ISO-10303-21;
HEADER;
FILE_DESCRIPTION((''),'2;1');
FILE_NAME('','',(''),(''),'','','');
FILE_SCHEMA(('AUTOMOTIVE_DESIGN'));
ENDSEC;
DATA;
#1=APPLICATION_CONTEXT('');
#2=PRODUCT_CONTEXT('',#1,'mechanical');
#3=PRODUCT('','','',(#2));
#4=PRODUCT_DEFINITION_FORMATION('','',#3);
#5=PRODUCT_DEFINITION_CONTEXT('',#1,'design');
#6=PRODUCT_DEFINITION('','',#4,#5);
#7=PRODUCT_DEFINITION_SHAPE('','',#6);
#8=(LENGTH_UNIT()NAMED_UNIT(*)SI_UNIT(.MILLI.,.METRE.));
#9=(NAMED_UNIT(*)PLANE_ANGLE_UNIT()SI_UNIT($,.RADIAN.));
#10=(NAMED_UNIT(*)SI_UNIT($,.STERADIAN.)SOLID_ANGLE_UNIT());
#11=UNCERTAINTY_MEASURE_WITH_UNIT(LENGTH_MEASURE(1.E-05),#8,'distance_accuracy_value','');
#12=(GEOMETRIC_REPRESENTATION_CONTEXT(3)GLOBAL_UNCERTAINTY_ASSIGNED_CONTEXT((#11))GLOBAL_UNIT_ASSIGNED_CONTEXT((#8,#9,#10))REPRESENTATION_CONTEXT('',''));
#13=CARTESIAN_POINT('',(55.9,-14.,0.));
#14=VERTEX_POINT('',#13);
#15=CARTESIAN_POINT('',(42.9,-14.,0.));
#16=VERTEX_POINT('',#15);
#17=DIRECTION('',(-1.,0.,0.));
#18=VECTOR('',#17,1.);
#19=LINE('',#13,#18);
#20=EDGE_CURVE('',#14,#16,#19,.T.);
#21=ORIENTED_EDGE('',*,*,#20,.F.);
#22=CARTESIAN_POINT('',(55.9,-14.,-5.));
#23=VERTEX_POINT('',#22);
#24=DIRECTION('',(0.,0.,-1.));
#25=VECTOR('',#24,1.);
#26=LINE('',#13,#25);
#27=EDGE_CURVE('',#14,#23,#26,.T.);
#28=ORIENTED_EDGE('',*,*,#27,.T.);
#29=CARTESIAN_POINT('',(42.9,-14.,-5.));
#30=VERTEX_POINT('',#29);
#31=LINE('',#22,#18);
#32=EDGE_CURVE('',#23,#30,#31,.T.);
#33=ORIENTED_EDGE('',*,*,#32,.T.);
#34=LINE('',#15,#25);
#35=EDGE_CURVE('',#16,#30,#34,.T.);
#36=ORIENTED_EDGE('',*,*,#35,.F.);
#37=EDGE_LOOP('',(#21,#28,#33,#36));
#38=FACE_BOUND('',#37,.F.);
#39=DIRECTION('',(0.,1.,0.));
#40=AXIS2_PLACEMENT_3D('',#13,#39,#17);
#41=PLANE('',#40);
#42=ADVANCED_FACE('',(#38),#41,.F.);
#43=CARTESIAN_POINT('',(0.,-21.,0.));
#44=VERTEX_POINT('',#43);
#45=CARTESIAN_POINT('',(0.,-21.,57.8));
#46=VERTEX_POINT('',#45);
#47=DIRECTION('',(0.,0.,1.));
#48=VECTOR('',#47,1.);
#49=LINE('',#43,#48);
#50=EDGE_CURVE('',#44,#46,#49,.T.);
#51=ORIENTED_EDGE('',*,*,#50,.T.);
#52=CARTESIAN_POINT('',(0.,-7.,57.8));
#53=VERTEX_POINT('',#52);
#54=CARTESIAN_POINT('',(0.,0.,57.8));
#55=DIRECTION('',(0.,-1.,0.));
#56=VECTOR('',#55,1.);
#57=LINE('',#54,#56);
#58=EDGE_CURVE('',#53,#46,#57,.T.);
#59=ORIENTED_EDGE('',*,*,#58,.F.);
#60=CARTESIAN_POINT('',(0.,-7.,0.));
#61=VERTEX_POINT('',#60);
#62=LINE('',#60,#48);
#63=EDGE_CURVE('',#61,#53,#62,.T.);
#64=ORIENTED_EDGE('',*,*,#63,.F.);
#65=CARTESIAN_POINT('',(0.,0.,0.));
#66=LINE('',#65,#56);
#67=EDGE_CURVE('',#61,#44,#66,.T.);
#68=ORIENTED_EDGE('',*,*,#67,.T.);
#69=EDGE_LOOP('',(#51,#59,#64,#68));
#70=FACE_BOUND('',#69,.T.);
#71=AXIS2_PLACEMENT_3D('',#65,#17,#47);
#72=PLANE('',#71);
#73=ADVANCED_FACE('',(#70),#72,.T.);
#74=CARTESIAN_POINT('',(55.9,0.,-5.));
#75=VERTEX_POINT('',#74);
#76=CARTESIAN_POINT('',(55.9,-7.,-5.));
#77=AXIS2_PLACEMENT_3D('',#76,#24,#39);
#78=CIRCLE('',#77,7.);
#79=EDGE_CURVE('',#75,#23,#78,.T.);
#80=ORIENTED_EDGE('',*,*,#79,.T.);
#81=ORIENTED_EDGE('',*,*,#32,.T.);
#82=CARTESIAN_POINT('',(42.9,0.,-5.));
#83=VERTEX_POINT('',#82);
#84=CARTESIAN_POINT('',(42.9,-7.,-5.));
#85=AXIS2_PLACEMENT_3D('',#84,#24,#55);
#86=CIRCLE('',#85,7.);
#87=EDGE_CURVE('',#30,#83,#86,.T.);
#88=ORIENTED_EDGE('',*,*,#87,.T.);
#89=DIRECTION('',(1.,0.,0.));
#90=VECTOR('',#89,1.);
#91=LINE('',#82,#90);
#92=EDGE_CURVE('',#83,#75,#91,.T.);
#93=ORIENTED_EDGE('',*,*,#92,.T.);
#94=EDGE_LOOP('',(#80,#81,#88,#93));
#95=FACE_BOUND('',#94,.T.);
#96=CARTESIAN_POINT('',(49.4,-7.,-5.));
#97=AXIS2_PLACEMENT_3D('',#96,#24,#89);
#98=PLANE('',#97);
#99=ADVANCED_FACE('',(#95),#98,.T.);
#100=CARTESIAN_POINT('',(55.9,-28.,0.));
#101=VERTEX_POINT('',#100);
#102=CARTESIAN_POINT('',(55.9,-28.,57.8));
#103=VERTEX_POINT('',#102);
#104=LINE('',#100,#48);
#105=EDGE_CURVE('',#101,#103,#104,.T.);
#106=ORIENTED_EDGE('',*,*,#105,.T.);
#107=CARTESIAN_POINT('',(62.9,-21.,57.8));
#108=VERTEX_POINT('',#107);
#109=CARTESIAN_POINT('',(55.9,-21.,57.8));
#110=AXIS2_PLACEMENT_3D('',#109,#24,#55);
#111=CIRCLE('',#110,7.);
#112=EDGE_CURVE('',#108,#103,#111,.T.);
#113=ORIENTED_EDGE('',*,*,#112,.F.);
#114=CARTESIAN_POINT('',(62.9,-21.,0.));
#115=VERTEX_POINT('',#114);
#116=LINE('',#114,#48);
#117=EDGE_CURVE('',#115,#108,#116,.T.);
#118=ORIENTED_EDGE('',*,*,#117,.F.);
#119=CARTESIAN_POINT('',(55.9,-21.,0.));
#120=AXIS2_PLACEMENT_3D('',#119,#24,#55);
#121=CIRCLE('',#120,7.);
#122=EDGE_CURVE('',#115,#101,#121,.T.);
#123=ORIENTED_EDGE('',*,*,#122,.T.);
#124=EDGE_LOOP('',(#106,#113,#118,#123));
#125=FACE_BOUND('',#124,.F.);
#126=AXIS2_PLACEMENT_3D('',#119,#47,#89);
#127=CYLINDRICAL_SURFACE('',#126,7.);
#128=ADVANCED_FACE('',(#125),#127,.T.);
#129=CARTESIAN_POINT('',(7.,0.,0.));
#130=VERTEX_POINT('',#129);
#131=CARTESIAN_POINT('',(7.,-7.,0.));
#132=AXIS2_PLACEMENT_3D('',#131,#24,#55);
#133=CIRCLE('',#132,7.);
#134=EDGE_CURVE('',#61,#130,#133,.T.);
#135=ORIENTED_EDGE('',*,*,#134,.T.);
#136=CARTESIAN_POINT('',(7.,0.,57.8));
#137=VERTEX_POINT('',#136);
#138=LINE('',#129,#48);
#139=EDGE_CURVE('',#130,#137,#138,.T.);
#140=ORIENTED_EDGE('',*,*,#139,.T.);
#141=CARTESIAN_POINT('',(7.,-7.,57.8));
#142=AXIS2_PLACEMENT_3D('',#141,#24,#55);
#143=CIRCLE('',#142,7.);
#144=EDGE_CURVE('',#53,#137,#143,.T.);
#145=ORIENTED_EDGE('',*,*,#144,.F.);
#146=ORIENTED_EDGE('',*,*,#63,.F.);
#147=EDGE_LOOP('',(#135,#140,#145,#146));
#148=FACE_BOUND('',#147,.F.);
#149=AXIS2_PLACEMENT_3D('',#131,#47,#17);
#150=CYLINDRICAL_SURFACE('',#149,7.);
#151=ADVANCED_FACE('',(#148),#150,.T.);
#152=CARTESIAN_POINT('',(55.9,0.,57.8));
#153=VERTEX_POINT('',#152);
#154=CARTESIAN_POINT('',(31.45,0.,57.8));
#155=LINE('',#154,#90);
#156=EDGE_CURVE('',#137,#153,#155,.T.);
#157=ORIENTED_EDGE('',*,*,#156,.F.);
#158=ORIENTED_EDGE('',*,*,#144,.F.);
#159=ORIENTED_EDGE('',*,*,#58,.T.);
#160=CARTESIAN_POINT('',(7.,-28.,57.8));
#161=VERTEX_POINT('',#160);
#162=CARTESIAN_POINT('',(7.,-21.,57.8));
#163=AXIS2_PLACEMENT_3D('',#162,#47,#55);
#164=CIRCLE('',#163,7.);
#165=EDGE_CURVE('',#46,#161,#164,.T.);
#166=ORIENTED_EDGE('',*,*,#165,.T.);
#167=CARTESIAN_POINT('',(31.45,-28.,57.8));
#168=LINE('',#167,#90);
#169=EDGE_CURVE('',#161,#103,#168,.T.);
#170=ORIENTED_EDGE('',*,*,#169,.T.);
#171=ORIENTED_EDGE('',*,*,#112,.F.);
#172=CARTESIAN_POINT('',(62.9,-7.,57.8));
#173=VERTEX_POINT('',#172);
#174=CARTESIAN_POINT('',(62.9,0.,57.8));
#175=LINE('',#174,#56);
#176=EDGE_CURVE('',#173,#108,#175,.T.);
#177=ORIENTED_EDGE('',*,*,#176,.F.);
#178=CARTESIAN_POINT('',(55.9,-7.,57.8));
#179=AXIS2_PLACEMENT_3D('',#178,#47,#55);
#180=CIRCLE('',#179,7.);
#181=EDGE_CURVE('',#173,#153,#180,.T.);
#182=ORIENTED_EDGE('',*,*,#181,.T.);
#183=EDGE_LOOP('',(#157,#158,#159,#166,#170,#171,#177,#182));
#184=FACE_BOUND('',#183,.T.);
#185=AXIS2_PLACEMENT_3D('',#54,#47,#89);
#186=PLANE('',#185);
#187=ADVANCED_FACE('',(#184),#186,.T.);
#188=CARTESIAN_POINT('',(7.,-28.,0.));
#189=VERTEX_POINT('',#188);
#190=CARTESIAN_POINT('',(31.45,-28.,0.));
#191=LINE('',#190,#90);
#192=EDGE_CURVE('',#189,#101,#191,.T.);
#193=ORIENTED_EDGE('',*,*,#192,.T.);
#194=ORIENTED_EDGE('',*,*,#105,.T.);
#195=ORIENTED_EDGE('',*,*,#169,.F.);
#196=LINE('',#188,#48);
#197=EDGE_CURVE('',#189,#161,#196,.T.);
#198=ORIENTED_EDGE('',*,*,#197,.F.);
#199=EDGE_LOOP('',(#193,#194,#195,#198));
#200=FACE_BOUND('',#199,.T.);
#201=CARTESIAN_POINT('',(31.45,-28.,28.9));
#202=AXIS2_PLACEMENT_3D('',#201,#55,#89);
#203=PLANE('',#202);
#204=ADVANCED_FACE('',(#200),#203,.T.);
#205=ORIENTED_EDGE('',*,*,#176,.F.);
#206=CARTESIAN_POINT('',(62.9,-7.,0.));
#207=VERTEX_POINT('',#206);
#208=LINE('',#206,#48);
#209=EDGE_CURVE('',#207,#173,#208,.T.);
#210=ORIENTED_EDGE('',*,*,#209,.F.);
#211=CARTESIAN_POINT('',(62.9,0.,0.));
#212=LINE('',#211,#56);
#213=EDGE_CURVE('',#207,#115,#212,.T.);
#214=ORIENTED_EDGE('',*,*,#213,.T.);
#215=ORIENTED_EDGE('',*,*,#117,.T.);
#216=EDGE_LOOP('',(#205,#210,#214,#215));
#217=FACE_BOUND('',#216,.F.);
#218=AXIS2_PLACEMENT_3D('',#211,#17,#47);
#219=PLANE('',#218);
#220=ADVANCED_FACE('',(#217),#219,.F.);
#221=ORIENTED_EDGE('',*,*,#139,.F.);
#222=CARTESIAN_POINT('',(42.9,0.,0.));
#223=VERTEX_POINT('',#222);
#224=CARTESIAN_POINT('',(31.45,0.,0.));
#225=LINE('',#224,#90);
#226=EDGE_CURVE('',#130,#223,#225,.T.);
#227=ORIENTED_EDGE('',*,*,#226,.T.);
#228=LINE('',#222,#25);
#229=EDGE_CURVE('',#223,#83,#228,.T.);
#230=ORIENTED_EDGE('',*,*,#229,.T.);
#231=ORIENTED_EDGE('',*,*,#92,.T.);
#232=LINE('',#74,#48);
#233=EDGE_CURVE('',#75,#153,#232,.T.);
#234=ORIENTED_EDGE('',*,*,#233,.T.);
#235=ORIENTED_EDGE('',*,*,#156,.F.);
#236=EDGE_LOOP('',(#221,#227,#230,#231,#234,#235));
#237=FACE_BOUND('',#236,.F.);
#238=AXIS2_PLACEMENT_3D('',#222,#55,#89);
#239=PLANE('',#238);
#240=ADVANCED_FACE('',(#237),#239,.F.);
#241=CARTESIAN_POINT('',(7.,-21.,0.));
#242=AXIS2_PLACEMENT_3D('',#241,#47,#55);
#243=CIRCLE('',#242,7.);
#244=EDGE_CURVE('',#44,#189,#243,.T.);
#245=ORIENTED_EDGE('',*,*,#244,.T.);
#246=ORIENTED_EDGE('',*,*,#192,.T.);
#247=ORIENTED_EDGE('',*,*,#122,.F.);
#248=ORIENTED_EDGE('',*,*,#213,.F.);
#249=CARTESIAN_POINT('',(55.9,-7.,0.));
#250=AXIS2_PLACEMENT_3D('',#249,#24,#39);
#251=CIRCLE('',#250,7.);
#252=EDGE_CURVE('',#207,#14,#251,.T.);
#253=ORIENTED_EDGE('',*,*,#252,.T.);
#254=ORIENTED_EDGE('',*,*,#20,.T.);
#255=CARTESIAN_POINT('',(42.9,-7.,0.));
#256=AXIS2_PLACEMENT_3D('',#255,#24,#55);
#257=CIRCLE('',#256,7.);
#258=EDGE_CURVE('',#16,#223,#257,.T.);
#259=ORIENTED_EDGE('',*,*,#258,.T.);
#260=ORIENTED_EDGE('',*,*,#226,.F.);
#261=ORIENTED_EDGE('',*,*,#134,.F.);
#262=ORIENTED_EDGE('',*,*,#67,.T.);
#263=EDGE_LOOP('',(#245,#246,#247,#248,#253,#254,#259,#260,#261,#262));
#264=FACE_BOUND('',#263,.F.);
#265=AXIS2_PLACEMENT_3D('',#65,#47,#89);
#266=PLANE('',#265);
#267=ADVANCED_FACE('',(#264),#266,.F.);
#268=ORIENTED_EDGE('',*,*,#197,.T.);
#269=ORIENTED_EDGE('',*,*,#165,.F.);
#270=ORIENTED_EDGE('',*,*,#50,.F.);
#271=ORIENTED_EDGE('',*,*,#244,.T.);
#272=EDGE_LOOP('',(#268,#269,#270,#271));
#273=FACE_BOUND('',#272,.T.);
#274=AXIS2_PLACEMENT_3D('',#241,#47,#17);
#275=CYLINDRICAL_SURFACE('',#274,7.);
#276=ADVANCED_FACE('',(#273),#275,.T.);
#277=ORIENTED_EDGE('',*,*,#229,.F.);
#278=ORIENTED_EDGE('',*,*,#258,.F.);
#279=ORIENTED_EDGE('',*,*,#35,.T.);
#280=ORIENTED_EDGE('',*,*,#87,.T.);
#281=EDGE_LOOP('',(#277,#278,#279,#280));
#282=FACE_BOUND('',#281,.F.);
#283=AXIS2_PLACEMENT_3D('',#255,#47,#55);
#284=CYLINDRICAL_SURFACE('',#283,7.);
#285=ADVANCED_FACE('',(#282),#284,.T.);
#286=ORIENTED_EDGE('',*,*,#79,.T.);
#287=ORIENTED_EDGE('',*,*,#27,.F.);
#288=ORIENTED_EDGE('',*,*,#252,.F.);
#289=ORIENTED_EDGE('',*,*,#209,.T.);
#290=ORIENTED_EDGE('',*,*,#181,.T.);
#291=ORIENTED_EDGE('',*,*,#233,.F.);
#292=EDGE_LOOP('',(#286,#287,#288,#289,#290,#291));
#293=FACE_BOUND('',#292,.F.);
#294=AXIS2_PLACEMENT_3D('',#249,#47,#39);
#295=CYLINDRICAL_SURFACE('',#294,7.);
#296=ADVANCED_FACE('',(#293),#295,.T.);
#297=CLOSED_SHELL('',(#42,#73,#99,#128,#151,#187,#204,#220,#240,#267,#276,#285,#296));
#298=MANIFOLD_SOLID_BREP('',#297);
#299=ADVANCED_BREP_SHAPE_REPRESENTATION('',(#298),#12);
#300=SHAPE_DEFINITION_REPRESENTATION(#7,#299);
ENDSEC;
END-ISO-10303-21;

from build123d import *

# Parameters (mm, degrees)
F0_W     = 62.9
F0_H     = 57.8
F1_DEPTH = 28
F2_R     = 7
F4_DEPTH = 5


with BuildPart() as f1:
    # F0 (on Front) → F1 (new body)
    with BuildSketch(Plane.XZ):
        with Locations((31.45, 28.9)):
            Rectangle(F0_W, F0_H)
    extrude(amount=F1_DEPTH)

    # F2
    f2_edges = [f1.edges().sort_by_distance(p)[0] for p in [
        (0, -28, 28.9),
        (0, 0, 28.9),
        (62.9, -28, 28.9),
        (62.9, 0, 28.9),
    ]]
    fillet(f2_edges, radius=F2_R)

    # F3 (on face) → F4 (join)
    with BuildSketch(Plane(origin=(0, 0, 0), x_dir=(1, 0, 0), z_dir=(0, 0, -1))):
        with BuildLine():
            Line((55.9, 14), (42.9, 14))
            ThreePointArc((42.9, 14), (35.9, 7), (42.9, 0))
            Line((42.9, 0), (55.9, 0))
            ThreePointArc((55.9, 0), (62.9, 7), (55.9, 14))
        make_face()
    extrude(amount=F4_DEPTH)


solid = f1.part
